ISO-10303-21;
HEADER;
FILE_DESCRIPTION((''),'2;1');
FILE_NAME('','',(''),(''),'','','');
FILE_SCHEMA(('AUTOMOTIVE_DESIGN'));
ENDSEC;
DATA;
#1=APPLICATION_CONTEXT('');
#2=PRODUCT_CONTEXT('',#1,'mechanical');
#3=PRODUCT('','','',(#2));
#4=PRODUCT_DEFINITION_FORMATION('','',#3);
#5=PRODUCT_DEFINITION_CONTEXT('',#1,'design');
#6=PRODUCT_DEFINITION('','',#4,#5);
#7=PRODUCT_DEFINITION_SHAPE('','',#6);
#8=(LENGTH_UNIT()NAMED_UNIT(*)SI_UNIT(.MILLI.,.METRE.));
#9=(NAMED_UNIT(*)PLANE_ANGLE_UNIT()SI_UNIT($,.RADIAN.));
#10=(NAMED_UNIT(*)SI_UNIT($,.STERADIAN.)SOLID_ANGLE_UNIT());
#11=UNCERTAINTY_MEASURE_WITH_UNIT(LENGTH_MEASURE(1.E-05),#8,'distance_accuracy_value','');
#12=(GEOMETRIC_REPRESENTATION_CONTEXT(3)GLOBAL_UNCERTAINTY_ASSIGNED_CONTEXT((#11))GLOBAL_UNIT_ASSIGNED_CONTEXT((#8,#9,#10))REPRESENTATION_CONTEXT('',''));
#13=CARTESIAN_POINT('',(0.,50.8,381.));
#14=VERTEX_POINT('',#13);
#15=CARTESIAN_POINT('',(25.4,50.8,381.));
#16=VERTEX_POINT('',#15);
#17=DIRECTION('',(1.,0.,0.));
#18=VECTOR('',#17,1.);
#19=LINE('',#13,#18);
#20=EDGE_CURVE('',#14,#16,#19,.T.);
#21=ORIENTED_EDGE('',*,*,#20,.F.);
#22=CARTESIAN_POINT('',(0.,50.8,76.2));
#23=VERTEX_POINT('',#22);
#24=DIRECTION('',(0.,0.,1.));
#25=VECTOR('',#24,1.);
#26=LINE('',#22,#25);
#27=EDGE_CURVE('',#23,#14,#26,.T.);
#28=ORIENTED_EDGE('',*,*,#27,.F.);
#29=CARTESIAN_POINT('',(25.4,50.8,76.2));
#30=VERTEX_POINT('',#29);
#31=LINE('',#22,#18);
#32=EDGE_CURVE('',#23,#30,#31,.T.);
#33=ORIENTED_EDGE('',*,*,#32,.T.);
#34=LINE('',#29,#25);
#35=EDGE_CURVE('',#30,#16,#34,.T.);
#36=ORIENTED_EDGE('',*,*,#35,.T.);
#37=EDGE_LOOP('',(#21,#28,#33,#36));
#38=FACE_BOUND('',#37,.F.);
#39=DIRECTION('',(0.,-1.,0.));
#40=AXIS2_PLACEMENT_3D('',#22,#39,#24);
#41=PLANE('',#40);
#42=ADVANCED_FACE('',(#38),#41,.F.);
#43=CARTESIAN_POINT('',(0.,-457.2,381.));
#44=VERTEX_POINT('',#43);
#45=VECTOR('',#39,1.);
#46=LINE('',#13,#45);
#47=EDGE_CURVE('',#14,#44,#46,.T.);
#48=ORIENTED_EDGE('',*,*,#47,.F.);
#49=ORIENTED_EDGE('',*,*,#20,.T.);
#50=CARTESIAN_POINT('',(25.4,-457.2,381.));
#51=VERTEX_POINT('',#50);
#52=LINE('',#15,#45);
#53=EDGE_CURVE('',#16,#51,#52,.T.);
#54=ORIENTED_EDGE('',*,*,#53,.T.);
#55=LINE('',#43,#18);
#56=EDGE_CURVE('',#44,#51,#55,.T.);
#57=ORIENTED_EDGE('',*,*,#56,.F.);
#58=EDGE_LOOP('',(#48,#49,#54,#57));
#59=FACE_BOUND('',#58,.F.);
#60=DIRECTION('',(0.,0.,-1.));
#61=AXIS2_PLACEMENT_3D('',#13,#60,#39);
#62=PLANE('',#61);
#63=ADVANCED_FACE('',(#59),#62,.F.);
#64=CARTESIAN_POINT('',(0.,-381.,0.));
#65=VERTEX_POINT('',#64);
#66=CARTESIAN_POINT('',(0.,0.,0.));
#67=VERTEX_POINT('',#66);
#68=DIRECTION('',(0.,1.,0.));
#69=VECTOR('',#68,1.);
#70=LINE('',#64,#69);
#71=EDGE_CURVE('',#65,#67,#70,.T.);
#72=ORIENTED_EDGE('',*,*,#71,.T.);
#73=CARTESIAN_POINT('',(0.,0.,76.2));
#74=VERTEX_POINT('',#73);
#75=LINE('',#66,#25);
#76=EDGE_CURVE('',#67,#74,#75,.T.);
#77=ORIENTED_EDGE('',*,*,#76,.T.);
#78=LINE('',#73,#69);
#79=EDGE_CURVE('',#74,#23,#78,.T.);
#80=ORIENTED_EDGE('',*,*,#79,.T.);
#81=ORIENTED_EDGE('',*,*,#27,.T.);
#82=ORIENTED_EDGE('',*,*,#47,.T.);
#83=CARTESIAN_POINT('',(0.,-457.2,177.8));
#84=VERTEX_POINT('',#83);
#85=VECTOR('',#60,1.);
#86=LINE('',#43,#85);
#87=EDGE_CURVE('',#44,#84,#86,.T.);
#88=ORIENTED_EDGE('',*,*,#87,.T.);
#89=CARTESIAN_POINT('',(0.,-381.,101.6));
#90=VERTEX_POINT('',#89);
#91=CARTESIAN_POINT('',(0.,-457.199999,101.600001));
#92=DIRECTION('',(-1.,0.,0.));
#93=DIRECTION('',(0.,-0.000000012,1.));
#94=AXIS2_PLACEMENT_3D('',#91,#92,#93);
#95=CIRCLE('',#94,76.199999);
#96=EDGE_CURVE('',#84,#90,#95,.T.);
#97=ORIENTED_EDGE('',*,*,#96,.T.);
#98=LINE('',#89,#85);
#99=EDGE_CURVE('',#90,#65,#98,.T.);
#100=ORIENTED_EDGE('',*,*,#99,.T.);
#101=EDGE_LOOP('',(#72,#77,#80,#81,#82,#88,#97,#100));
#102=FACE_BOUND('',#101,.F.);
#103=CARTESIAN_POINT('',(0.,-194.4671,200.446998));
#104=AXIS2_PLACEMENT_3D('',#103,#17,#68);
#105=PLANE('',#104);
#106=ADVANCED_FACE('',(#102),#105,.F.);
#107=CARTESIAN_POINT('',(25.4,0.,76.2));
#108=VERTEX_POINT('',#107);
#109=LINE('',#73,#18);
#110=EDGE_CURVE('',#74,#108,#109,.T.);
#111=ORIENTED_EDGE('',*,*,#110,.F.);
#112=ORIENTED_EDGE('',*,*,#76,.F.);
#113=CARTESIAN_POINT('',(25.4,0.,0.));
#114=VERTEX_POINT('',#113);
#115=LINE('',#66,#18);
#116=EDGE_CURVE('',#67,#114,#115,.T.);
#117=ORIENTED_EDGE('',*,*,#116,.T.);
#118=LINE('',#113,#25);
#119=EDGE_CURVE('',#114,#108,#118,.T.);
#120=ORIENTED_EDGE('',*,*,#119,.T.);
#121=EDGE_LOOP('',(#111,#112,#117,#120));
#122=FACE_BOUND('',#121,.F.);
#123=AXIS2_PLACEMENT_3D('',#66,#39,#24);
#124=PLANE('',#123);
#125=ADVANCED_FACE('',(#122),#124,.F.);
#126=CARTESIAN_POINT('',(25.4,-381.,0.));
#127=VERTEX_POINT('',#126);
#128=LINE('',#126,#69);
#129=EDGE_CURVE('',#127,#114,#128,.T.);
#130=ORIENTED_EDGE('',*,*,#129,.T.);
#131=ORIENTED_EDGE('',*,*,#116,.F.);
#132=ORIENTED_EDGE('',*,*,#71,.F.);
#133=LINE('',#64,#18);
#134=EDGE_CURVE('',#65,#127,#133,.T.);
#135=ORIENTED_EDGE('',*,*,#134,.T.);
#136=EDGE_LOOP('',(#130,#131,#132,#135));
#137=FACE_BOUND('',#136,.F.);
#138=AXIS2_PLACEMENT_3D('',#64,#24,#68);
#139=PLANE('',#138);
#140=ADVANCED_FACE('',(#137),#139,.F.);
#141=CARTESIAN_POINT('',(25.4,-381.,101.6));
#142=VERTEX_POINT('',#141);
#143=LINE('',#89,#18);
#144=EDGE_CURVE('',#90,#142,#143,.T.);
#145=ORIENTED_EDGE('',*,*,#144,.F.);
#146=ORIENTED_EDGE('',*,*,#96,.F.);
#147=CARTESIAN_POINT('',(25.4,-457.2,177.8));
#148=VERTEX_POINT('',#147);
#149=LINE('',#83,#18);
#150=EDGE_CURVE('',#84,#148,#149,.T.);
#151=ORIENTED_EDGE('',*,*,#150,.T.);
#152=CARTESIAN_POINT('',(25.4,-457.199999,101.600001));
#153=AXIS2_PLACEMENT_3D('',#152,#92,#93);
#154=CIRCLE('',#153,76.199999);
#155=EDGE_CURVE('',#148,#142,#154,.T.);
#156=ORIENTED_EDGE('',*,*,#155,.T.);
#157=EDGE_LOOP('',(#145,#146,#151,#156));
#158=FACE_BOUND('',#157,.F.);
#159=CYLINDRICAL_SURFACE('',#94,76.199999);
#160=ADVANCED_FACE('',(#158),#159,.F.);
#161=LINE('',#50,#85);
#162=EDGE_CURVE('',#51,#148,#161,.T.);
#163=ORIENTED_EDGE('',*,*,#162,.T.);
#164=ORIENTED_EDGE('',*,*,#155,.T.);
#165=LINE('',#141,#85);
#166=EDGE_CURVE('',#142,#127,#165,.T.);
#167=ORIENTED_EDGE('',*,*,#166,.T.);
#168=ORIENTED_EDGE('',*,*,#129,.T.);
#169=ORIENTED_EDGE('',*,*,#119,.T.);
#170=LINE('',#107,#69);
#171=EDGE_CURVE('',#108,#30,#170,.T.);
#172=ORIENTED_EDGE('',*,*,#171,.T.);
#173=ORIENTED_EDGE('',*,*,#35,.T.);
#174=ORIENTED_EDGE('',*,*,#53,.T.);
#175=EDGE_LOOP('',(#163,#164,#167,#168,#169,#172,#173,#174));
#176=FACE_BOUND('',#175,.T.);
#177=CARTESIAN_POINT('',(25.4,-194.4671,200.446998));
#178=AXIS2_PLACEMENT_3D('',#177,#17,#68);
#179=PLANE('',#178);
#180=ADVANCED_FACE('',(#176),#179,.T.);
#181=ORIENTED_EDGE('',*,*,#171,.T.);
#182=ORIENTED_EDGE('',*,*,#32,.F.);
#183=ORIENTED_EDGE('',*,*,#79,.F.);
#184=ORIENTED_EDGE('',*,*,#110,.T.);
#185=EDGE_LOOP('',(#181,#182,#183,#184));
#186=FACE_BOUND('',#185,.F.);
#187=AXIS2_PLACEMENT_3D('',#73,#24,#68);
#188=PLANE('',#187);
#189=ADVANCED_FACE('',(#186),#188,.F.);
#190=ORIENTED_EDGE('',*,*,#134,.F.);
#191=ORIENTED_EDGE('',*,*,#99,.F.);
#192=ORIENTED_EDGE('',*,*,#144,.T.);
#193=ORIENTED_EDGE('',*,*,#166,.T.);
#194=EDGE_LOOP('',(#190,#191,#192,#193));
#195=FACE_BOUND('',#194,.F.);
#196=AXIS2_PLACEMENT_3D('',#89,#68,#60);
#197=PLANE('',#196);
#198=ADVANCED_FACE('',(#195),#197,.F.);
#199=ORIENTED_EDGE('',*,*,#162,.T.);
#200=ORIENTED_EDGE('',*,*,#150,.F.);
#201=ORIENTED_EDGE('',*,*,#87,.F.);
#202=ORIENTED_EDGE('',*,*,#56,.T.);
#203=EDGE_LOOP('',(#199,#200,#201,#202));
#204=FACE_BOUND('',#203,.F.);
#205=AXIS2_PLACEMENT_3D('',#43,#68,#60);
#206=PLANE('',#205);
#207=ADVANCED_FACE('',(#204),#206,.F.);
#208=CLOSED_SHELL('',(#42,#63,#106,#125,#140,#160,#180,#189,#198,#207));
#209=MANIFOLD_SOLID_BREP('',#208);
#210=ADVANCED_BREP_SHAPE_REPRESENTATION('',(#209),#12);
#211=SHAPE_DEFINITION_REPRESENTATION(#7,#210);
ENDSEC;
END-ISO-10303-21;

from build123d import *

# Parameters (mm, degrees)
F1_DEPTH = 25.4


with BuildPart() as f1:
    # F0 (on Right) → F1 (new body)
    with BuildSketch(Plane.YZ):
        with BuildLine():
            Line((50.8, 381), (-457.2, 381))
            Line((-457.2, 381), (-457.2, 177.8))
            ThreePointArc((-457.2, 177.8), (-403.318463, 155.481537), (-381, 101.6))
            Line((-381, 101.6), (-381, 0))
            Line((-381, 0), (0, 0))
            Line((0, 0), (0, 76.2))
            Line((0, 76.2), (50.8, 76.2))
            Line((50.8, 76.2), (50.8, 381))
        make_face()
    extrude(amount=F1_DEPTH)


solid = f1.part
